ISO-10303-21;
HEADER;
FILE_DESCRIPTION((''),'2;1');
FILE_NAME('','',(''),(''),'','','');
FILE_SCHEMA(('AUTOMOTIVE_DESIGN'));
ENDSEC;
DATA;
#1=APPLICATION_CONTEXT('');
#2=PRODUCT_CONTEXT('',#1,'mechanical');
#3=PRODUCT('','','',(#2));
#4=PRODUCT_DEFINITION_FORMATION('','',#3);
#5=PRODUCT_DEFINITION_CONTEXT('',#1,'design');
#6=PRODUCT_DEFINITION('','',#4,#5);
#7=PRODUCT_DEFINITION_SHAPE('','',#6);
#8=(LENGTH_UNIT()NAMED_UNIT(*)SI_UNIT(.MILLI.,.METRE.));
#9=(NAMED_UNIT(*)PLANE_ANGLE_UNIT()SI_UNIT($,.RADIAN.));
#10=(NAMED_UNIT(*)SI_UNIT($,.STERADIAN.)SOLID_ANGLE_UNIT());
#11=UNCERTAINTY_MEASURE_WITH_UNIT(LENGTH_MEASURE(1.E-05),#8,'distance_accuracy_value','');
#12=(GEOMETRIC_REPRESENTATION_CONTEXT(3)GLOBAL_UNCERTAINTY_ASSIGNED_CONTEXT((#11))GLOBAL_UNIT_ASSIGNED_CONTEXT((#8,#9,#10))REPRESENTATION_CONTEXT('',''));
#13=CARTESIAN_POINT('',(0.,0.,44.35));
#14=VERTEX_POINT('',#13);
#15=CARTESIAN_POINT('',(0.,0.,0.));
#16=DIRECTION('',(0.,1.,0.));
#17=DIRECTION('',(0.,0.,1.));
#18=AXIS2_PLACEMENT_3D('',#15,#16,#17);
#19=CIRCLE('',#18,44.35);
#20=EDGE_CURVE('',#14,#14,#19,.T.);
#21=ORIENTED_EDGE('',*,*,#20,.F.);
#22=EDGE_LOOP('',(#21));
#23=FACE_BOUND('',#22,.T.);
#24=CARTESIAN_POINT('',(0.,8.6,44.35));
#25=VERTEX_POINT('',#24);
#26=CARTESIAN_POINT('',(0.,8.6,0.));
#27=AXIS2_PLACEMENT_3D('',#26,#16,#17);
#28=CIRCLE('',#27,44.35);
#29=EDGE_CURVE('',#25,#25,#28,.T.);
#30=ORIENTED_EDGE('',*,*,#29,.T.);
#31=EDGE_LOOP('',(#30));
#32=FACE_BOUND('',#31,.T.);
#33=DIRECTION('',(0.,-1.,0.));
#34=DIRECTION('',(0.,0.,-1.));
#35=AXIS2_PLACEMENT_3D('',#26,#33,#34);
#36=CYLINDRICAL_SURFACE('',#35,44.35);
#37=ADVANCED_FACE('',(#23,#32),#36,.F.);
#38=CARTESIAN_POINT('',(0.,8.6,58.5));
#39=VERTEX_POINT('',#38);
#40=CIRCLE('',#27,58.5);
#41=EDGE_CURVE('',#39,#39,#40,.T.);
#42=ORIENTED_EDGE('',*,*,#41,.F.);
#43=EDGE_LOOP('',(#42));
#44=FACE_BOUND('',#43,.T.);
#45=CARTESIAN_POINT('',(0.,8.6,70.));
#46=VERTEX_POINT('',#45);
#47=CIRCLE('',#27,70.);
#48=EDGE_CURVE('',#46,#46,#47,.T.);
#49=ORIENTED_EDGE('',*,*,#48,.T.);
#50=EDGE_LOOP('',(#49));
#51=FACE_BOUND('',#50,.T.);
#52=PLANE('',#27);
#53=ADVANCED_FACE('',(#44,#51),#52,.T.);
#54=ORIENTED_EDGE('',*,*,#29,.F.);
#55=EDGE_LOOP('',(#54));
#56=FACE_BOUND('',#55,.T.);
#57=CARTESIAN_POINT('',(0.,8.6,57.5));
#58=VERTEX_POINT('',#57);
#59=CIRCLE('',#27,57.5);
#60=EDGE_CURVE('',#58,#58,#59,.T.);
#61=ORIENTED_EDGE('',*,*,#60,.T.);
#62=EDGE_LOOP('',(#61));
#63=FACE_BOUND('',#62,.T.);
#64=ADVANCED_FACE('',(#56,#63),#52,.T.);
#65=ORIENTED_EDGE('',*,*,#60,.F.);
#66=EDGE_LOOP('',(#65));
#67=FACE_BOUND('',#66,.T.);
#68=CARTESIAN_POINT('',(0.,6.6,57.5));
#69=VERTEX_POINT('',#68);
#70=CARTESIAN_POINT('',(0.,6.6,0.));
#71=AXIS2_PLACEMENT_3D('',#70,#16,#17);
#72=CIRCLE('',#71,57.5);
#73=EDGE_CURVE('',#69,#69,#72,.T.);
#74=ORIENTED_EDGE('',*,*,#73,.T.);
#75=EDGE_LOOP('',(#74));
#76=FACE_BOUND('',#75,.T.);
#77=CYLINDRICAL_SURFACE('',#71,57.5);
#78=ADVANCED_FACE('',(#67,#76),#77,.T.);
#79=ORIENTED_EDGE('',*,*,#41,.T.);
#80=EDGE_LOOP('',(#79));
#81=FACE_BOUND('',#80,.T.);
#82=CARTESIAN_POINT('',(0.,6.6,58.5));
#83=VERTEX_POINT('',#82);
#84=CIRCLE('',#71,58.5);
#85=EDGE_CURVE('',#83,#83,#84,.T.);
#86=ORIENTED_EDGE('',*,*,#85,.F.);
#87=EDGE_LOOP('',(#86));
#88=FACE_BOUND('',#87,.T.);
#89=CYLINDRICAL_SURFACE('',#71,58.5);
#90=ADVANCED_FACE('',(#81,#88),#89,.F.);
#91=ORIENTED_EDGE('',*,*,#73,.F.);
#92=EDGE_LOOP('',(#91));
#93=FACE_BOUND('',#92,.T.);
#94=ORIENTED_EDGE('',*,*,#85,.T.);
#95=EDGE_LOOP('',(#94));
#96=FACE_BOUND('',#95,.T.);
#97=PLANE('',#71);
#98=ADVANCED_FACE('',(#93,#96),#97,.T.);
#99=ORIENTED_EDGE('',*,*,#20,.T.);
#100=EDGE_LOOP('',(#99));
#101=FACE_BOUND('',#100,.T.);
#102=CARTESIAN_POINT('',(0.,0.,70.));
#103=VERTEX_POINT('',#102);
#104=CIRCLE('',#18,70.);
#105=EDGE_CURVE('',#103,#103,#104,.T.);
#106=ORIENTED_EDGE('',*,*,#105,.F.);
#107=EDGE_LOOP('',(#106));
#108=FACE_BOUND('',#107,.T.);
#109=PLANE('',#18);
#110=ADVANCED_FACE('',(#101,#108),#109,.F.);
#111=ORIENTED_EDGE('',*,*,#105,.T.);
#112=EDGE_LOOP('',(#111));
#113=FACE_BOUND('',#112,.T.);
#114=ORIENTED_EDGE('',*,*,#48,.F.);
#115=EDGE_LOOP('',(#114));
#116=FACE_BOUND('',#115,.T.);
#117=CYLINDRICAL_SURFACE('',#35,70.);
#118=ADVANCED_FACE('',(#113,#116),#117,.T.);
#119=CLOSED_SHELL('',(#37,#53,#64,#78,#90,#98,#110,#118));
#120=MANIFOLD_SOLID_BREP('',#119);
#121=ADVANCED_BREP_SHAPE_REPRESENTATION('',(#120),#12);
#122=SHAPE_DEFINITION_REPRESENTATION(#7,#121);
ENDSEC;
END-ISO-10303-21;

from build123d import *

# Parameters (mm, degrees)
SKETCH1_R           = 70
SKETCH1_R_2         = 44.35
BOSS_EXTRUDE1_DEPTH = 8.6
SKETCH2_R           = 58.5
SKETCH2_R_2         = 57.5
CUT_EXTRUDE1_DEPTH  = 2


with BuildPart() as part:
    # Sketch1 → Boss-Extrude1 (new body)
    with BuildSketch(Plane(origin=(0, 0, 0), x_dir=(1, 0, 0), z_dir=(0, 1, 0))):
        Circle(SKETCH1_R)
        Circle(SKETCH1_R_2, mode=Mode.SUBTRACT)
    extrude(amount=BOSS_EXTRUDE1_DEPTH)

    # Sketch2 → Cut-Extrude1 (cut)
    with BuildSketch(Plane(origin=(0, 8.6, 0), x_dir=(1, 0, 0), z_dir=(0, 1, 0))):
        Circle(SKETCH2_R)
        Circle(SKETCH2_R_2, mode=Mode.SUBTRACT)
    extrude(amount=-CUT_EXTRUDE1_DEPTH, mode=Mode.SUBTRACT)


solid = part.part
